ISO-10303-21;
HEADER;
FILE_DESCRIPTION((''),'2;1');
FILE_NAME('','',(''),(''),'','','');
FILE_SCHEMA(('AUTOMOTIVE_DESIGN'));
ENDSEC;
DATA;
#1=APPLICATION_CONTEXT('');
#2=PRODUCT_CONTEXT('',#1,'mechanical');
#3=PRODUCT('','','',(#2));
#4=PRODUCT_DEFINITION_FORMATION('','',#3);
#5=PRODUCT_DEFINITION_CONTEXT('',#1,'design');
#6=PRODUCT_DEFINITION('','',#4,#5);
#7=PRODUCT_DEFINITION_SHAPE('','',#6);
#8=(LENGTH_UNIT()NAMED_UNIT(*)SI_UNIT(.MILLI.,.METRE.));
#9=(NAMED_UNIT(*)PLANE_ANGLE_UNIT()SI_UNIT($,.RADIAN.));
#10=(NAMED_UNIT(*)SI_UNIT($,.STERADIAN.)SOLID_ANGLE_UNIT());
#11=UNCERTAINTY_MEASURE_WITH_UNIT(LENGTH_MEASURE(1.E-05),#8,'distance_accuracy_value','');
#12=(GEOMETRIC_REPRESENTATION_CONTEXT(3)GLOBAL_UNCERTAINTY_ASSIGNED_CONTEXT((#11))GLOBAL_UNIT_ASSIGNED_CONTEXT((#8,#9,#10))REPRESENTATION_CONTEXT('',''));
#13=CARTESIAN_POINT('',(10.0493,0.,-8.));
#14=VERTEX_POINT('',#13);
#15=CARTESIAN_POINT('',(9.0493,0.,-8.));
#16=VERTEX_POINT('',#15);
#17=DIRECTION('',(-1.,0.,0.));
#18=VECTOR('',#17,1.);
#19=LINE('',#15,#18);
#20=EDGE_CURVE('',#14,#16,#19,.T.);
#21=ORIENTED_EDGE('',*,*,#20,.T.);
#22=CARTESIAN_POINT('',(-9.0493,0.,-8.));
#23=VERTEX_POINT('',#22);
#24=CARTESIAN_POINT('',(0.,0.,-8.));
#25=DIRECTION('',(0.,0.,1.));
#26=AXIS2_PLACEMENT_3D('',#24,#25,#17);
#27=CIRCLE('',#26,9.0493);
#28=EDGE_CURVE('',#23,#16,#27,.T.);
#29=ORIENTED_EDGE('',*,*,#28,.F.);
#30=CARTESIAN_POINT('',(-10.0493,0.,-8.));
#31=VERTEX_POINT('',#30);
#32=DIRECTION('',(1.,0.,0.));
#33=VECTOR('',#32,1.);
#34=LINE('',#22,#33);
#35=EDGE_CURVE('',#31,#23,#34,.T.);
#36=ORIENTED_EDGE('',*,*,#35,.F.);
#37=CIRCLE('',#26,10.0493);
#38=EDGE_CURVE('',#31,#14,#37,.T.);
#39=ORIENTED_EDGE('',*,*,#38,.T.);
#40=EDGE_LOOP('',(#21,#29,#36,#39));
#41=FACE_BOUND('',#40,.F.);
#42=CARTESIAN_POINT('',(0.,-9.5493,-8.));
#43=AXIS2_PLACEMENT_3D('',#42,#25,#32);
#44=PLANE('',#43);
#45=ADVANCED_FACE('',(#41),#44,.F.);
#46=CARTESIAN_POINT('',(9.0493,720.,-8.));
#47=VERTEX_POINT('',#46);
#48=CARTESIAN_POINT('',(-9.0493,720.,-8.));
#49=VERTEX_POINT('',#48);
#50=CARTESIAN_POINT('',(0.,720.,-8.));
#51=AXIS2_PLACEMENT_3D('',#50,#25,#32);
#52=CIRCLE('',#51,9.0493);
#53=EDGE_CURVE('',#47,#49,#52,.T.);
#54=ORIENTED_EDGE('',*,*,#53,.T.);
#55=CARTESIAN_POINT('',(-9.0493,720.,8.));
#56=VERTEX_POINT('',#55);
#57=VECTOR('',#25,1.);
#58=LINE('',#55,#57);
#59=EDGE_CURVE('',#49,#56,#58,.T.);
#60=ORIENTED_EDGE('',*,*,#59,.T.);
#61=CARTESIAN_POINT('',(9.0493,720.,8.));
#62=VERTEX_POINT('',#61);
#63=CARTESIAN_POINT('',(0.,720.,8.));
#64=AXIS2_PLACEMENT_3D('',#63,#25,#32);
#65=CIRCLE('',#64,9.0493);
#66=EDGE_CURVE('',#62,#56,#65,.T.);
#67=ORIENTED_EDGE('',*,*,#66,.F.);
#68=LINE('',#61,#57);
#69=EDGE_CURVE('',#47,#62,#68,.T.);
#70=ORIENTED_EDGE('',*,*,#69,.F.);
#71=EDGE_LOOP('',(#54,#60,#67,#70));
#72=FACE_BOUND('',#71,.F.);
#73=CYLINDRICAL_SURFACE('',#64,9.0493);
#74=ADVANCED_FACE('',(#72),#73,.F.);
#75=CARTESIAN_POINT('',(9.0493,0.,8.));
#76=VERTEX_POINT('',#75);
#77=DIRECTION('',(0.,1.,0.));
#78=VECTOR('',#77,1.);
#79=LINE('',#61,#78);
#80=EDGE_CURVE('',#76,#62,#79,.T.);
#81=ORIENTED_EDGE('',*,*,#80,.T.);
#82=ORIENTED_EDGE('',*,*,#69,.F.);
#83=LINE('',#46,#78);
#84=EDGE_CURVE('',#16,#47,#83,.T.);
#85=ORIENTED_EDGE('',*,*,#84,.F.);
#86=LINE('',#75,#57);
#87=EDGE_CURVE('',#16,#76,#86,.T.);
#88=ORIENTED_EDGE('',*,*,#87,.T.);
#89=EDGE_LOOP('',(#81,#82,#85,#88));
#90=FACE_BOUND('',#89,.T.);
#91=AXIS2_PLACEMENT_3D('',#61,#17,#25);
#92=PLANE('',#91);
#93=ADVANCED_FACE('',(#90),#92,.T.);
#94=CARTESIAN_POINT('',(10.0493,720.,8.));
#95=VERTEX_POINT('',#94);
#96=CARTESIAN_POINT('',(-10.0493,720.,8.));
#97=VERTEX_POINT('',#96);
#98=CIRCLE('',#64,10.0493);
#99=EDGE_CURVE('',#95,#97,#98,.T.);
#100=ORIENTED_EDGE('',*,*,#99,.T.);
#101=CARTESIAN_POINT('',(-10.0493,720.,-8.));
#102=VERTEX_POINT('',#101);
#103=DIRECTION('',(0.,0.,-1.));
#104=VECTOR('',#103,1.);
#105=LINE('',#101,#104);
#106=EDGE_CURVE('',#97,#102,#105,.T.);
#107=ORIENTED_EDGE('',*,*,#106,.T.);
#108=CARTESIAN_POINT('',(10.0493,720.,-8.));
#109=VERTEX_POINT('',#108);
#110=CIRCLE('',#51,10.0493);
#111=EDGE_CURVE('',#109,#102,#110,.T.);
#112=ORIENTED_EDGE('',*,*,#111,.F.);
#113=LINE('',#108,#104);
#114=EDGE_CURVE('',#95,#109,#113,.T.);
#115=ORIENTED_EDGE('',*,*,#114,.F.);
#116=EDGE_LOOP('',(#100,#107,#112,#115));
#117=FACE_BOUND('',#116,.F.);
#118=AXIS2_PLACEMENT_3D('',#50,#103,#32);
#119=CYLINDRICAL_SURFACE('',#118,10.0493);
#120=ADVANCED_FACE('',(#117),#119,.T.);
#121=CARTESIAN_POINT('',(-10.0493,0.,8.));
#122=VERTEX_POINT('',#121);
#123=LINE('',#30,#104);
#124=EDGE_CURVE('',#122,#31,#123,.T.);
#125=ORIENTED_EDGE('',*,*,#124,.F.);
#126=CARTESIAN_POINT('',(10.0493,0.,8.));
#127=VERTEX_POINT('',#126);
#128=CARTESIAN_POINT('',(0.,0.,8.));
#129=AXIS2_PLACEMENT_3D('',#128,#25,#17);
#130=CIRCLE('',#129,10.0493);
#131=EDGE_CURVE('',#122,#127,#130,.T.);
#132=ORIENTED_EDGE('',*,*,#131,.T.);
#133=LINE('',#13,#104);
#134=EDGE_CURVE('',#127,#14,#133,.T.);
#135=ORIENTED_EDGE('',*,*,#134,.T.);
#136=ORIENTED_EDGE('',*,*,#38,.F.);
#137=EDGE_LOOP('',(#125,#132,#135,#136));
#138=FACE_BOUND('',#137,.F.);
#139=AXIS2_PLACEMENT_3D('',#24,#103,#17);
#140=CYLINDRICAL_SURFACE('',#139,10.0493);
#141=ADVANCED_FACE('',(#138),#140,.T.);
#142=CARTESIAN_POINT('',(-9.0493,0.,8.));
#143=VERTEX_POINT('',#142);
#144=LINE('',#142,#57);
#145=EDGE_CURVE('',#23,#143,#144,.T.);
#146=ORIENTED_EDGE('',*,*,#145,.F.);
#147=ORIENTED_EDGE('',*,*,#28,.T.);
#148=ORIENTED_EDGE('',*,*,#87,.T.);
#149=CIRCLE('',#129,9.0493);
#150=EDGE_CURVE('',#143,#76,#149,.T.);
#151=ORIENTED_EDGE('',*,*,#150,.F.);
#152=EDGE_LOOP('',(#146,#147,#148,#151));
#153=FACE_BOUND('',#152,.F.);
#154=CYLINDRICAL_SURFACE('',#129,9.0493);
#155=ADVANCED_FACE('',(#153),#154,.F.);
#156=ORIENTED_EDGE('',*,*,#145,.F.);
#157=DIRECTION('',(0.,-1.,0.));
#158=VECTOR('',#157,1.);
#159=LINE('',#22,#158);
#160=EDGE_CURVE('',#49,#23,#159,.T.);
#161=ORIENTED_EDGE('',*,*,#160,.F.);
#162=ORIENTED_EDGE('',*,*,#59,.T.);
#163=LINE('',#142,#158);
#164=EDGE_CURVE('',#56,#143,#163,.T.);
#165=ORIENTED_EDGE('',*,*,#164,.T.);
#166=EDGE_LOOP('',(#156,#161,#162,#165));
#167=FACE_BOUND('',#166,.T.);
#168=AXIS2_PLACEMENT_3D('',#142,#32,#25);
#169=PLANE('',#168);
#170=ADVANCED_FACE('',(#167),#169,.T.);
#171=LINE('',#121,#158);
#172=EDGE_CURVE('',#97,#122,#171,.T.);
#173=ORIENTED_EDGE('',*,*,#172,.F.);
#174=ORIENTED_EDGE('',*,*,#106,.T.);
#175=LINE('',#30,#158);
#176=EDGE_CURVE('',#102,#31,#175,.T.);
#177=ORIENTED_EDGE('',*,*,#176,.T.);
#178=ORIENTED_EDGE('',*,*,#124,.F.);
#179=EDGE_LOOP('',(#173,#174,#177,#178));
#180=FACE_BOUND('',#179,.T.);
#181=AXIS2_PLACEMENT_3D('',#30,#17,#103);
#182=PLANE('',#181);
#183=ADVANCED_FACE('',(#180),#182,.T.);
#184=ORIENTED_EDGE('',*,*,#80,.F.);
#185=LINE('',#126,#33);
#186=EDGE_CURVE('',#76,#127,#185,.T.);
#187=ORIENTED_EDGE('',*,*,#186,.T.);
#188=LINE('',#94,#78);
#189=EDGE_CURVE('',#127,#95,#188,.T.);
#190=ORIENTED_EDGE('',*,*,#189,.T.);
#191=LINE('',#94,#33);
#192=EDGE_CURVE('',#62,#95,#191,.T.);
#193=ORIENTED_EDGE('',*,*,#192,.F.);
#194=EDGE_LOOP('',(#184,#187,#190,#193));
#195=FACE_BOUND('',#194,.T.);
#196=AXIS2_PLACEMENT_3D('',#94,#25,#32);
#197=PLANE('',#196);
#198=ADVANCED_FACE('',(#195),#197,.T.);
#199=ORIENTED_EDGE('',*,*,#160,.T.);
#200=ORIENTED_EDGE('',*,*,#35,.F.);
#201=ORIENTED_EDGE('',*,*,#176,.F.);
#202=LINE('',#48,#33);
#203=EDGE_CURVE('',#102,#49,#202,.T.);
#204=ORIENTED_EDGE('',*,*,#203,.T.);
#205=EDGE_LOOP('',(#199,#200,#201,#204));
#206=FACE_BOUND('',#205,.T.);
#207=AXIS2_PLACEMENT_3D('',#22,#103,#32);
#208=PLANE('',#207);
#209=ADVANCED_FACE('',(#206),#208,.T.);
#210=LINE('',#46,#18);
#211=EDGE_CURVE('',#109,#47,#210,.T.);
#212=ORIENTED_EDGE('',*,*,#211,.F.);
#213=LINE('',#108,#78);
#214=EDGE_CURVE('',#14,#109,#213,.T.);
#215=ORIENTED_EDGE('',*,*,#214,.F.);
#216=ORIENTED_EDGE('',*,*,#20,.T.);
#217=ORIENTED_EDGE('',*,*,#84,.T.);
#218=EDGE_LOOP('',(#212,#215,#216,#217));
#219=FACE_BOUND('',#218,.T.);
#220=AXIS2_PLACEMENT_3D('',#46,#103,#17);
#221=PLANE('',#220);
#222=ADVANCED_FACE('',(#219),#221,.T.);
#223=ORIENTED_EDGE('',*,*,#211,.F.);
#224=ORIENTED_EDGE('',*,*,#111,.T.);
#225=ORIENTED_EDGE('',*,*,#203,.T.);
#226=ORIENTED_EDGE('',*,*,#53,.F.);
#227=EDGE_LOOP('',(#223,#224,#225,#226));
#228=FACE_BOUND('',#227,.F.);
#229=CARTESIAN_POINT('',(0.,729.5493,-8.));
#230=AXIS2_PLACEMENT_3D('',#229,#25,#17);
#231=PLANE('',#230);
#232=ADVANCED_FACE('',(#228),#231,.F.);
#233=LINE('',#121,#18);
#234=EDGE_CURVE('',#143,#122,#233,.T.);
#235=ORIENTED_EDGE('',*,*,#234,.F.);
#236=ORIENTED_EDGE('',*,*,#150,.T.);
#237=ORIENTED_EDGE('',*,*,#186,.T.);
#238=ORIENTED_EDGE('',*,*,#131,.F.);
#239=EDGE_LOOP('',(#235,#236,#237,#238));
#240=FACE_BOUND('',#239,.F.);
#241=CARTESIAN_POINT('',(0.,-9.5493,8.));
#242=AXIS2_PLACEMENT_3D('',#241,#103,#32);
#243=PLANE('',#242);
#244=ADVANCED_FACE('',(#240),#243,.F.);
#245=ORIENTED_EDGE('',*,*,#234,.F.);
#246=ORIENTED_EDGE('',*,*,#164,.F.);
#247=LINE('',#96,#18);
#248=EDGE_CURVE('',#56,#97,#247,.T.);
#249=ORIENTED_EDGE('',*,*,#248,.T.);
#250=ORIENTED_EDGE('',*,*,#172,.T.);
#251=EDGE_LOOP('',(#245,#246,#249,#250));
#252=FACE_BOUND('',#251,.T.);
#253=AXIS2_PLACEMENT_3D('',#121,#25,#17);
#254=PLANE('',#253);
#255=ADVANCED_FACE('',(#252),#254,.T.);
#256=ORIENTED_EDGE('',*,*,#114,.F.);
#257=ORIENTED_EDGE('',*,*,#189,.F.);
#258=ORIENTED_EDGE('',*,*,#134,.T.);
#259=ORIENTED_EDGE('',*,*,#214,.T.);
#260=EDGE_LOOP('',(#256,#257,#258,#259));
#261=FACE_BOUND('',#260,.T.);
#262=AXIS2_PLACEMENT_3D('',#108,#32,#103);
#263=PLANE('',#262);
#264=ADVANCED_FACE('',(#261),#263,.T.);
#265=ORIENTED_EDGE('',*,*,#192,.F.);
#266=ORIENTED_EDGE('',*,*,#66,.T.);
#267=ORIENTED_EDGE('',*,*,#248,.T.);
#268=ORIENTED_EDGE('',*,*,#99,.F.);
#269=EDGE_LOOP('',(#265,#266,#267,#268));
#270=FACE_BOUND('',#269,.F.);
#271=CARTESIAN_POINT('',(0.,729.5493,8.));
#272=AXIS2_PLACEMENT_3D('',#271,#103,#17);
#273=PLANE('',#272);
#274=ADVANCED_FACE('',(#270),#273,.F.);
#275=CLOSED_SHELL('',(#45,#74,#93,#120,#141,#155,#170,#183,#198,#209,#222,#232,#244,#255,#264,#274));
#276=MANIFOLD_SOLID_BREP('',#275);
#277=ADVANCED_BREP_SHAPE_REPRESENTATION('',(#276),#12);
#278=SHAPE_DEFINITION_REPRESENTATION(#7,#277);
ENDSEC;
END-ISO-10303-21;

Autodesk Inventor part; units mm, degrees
sketch "Sketch Path" plane through (0, 0, 0) normal (0, 0, 1) x (1, 0, 0)
  arc A0 (-9.5493, 0) -> (9.5493, 0) centre (0, 0) ccw
  arc A1 (9.5493, 720) -> (-9.5493, 720) centre (0, 720) ccw
  line L0 (9.5493, 720) -> (9.5493, 0)
  line L1 (-9.5493, 0) -> (-9.5493, 720)
ref_plane "Cross Section Plane" through (9.5493, 0, 0) normal (0, 1, 0) x (0, 0, 1)
ref_plane "Work Plane2" through (0, 0, 0) normal (-1, 0, 0) x (0, 0, 1)
ref_plane "Work Plane3" through (0, 720, 0) normal (-0.5, -0.866, 0) x (0, 0, 1)
sketch "Cross Section" plane through (9.5493, 0, 0) normal (0, 1, 0) x (0, 0, 1)
  line L0 (-8, 0.5) -> (8, 0.5)
  line L1 (8, 0.5) -> (8, -0.5)
  line L2 (8, -0.5) -> (-8, -0.5)
  line L3 (-8, -0.5) -> (-8, 0.5)
  line L4 (-8, 0) -> (8, 0) construction
  point P0 (0, 0)
  point P1 (0, 0)
  dimension "d0" = 16
  dimension "d4" = 0.5
  dimension "d5" = 0.5
sweep "Belt" add profiles "Cross Section" path "Sketch Path"
equation "\"d0\" = da_B"
equation "\"d4\" = da_a"
equation "\"d5\" = da_a2"
equation "\"da_B\" = 16"
equation "\"da_pb\" = 5"
equation "\"da_a\" = 0.5"
equation "\"da_S\" = 2.65"
equation "\"da_Beta\" = 20deg"
equation "\"da_Ht\" = 1.2"
equation "\"da_H\" = 2.2"
equation "\"da_a2\" = 0.5"
properties part number "Synchronous Belt" material "Rubber"
